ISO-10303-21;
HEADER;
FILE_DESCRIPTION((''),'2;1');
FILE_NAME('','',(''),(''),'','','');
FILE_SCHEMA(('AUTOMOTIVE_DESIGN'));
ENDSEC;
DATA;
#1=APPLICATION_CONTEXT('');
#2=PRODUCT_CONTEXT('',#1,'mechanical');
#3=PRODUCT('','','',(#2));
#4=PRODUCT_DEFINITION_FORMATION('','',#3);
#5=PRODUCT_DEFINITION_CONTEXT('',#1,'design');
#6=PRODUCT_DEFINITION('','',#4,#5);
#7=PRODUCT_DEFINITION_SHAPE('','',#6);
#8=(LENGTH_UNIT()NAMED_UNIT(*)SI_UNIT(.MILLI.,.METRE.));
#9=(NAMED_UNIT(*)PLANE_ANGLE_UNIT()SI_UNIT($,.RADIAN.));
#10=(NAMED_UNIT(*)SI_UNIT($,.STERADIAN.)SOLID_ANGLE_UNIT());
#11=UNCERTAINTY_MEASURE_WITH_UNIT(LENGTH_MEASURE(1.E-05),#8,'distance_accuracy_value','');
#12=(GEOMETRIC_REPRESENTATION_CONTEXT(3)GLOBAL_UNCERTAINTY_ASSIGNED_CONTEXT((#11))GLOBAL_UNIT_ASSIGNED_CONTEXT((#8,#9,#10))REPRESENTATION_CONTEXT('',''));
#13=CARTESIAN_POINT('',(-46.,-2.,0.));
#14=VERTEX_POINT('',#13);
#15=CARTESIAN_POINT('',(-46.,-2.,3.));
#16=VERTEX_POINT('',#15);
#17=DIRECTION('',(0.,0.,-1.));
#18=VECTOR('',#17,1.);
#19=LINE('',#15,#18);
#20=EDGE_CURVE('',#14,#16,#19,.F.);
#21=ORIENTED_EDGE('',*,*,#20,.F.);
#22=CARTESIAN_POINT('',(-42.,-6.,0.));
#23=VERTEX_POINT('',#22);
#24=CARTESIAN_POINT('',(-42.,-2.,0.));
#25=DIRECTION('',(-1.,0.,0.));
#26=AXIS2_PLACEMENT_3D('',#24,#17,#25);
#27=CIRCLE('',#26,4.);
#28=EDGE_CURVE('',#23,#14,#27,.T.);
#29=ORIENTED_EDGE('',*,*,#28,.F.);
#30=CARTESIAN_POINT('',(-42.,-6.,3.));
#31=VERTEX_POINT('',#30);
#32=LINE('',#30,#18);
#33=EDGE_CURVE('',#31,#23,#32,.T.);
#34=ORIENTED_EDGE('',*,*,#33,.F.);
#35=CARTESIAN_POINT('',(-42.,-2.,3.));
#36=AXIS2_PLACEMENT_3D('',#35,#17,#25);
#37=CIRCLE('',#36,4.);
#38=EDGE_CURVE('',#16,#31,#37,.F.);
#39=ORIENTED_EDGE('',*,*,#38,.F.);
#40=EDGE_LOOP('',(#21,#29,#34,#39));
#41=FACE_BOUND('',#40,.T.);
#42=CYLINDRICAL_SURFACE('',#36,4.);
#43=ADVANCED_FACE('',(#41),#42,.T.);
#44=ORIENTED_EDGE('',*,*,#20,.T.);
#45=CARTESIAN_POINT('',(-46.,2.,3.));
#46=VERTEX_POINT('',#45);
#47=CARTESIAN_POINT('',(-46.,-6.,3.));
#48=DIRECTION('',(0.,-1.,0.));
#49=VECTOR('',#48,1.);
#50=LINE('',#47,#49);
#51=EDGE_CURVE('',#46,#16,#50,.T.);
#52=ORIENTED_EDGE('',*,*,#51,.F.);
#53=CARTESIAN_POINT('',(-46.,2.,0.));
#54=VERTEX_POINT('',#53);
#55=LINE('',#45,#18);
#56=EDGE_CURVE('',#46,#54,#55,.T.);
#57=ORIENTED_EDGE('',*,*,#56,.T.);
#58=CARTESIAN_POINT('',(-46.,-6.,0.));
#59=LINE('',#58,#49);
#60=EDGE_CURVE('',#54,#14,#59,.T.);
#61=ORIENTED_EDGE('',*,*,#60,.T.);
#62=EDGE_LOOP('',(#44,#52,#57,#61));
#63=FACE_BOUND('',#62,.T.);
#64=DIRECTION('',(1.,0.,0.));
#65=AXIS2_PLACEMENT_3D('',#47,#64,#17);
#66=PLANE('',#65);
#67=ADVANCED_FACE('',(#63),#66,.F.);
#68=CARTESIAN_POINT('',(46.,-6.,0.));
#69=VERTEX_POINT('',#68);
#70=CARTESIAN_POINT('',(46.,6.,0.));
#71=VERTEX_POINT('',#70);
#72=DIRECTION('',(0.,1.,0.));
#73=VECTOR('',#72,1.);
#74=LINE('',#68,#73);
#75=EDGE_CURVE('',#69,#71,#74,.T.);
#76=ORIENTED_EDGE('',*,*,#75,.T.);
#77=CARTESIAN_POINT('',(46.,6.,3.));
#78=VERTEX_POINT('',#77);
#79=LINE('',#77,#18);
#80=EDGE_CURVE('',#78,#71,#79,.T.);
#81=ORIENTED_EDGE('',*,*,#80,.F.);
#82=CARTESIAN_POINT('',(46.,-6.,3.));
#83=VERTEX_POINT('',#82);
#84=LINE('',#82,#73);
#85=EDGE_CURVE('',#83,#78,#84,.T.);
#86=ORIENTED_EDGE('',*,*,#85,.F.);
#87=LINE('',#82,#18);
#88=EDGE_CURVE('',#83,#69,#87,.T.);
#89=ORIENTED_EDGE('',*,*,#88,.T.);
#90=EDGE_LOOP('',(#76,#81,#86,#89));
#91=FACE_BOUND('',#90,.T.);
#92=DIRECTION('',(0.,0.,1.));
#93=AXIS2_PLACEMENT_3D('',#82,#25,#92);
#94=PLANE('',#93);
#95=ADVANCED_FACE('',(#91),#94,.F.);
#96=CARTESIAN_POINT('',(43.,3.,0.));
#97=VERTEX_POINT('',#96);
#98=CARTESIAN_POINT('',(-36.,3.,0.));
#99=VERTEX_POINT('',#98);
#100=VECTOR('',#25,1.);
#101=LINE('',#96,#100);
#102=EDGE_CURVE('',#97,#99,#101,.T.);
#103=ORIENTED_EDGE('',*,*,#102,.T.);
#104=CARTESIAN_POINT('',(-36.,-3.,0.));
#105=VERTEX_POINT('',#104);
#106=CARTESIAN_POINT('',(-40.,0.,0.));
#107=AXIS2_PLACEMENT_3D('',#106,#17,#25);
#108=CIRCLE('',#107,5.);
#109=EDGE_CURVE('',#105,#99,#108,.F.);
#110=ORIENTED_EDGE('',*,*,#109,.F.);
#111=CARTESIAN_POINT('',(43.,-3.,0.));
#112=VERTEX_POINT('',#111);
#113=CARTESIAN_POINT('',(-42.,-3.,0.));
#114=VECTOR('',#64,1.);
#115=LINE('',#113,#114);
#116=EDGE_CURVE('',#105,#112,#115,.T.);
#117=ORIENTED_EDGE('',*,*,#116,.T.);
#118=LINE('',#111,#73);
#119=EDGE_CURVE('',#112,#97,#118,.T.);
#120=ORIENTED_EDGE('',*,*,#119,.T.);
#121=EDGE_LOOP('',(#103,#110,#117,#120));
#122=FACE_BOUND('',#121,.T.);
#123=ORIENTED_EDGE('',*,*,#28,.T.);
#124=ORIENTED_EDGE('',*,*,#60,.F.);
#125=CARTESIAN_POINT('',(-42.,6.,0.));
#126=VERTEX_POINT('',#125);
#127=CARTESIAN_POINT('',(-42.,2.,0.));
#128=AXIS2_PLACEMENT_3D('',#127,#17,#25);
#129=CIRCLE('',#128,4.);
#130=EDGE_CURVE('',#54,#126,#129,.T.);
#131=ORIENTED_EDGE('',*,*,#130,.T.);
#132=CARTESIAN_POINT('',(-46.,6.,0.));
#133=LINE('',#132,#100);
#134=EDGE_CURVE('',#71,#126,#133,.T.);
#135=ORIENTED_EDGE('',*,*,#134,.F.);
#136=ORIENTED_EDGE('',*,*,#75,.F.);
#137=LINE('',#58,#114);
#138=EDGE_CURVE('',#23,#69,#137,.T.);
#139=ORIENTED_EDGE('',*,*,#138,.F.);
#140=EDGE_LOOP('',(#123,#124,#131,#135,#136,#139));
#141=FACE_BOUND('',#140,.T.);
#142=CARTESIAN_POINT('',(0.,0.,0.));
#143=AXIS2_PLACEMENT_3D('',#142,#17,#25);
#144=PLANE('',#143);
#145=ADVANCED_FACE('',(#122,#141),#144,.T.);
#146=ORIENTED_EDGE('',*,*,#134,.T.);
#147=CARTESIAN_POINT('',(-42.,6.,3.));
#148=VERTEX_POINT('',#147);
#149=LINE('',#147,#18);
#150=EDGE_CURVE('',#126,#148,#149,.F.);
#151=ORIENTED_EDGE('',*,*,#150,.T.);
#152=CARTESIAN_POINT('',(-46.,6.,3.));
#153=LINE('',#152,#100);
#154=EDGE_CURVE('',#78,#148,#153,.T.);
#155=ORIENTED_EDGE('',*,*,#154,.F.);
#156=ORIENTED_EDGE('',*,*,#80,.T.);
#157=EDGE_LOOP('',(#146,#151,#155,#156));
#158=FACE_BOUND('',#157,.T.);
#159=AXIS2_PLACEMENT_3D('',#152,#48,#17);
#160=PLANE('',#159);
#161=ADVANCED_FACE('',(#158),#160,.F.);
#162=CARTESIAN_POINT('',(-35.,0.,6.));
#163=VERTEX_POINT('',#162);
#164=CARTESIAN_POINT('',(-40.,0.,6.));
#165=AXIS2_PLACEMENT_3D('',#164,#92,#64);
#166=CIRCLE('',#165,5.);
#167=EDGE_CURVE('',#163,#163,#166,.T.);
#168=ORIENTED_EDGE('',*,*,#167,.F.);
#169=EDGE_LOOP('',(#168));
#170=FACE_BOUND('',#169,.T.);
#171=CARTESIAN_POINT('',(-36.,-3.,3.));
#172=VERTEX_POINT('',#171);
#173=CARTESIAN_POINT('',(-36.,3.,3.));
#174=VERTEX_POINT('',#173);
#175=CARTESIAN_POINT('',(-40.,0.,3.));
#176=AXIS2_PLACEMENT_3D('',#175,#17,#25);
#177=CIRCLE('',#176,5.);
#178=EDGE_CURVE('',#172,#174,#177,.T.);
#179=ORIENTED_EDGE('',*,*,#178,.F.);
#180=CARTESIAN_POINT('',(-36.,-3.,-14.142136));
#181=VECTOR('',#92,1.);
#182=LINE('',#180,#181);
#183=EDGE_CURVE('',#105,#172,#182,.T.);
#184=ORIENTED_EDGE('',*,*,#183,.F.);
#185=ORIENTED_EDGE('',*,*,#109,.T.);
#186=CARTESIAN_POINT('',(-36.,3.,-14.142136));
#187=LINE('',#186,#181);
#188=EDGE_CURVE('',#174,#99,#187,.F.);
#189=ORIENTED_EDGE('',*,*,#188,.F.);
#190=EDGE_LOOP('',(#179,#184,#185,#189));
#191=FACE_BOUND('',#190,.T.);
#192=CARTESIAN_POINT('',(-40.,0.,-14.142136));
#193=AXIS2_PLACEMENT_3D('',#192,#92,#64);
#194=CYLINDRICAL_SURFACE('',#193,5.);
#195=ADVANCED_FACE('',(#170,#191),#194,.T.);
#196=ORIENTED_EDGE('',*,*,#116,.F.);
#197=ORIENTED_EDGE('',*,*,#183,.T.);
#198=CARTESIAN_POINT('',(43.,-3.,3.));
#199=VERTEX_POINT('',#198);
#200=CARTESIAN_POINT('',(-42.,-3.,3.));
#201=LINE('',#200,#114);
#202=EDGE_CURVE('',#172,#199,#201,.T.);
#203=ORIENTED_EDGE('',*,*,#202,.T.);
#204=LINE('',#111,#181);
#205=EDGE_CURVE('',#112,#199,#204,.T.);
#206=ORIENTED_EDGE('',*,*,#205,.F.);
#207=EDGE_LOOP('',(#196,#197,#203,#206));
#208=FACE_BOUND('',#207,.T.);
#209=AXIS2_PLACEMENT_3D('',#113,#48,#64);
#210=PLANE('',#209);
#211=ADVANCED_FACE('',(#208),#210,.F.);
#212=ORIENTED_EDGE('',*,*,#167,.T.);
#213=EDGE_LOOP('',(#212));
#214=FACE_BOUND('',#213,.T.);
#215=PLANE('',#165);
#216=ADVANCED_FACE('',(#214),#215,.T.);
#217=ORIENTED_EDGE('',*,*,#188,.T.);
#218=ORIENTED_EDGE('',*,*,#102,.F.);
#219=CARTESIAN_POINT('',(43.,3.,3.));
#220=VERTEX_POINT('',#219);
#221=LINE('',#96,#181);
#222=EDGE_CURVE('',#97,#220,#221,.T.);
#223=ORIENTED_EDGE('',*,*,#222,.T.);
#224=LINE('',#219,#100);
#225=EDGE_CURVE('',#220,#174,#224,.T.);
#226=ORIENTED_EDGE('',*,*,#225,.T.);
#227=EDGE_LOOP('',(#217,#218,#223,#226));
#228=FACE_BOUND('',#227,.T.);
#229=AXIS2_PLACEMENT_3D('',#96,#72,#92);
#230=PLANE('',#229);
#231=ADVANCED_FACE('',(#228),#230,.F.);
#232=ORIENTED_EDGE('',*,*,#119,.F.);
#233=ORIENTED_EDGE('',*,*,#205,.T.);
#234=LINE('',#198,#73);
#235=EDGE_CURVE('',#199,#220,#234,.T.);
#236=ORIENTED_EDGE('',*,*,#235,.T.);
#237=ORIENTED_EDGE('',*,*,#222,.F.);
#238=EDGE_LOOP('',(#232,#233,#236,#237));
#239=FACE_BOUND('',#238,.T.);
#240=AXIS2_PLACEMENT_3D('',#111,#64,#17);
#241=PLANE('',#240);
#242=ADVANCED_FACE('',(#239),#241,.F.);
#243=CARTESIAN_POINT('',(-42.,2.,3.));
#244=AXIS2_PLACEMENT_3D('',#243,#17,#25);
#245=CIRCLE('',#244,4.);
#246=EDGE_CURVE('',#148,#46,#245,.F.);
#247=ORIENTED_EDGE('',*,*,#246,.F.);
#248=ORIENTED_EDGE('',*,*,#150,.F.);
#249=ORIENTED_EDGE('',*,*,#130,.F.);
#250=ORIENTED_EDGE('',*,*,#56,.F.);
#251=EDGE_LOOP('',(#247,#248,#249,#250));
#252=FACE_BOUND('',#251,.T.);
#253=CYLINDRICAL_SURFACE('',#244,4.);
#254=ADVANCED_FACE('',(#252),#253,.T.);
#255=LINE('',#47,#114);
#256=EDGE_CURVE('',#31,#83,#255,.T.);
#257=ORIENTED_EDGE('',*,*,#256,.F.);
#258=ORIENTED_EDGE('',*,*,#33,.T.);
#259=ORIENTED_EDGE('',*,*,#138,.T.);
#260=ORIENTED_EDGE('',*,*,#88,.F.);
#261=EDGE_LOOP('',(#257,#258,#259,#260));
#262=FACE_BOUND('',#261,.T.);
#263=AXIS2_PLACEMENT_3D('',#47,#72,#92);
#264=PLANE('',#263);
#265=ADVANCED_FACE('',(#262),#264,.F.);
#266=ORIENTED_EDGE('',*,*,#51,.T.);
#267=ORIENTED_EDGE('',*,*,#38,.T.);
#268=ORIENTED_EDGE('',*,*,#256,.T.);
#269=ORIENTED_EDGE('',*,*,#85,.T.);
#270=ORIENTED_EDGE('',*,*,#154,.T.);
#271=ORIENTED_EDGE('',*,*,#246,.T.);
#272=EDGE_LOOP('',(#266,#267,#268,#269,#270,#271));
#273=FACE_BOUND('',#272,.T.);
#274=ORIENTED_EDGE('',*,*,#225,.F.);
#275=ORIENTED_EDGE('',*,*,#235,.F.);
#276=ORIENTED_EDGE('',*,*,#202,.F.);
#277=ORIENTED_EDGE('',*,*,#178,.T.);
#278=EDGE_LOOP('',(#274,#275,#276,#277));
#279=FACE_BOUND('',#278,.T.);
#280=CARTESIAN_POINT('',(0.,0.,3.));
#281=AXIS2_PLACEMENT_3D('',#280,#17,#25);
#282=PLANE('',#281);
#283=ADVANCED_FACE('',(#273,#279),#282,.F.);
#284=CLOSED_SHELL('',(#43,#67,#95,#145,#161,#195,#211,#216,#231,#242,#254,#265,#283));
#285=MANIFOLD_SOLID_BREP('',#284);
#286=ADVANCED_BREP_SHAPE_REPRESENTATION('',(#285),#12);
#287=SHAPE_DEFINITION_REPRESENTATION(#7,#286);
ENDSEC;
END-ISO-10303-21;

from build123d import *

# Parameters (mm, degrees)
SKETCH1_W                = 92
SKETCH1_H                = 12
BOSS_EXTRUDE1_DEPTH      = 3
FILLET1_R                = 4
CUT_EXTRUDE1_DEPTH       = 3
SKETCH3_R                = 5
BOSS_EXTRUDE2_DEPTH      = 3
BOSS_EXTRUDE2_DEPTH_BACK = 3


with BuildPart() as part:
    # Sketch1 → Boss-Extrude1 (new body)
    with BuildSketch(Plane.XY):
        Rectangle(SKETCH1_W, SKETCH1_H)
    extrude(amount=BOSS_EXTRUDE1_DEPTH)

    # Fillet1
    fillet1_edges = [part.edges().sort_by_distance(p)[0] for p in [
        (-46, -6, 1.5),
        (-46, 6, 1.5),
    ]]
    fillet(fillet1_edges, radius=FILLET1_R)

    # Sketch2 → Cut-Extrude1 (cut)
    with BuildSketch(Plane.XY.offset(3)):
        with BuildLine():
            Line((-43, 2), (-43, -2))
            ThreePointArc((-43, -2), (-42.707106781, -2.707106781), (-42, -3))
            Line((-42, -3), (43, -3))
            Line((43, -3), (43, 3))
            Line((43, 3), (-42, 3))
            ThreePointArc((-42, 3), (-42.707106781, 2.707106781), (-43, 2))
        make_face()
    extrude(amount=-CUT_EXTRUDE1_DEPTH, mode=Mode.SUBTRACT)

    # Sketch3 → Boss-Extrude2 (add, two sides)
    with BuildSketch(Plane.XY.offset(3)) as boss_extrude2_sk:
        with Locations((-40, 0)):
            Circle(SKETCH3_R)
    extrude(amount=BOSS_EXTRUDE2_DEPTH)
    extrude(boss_extrude2_sk.sketch, amount=-BOSS_EXTRUDE2_DEPTH_BACK)


solid = part.part
